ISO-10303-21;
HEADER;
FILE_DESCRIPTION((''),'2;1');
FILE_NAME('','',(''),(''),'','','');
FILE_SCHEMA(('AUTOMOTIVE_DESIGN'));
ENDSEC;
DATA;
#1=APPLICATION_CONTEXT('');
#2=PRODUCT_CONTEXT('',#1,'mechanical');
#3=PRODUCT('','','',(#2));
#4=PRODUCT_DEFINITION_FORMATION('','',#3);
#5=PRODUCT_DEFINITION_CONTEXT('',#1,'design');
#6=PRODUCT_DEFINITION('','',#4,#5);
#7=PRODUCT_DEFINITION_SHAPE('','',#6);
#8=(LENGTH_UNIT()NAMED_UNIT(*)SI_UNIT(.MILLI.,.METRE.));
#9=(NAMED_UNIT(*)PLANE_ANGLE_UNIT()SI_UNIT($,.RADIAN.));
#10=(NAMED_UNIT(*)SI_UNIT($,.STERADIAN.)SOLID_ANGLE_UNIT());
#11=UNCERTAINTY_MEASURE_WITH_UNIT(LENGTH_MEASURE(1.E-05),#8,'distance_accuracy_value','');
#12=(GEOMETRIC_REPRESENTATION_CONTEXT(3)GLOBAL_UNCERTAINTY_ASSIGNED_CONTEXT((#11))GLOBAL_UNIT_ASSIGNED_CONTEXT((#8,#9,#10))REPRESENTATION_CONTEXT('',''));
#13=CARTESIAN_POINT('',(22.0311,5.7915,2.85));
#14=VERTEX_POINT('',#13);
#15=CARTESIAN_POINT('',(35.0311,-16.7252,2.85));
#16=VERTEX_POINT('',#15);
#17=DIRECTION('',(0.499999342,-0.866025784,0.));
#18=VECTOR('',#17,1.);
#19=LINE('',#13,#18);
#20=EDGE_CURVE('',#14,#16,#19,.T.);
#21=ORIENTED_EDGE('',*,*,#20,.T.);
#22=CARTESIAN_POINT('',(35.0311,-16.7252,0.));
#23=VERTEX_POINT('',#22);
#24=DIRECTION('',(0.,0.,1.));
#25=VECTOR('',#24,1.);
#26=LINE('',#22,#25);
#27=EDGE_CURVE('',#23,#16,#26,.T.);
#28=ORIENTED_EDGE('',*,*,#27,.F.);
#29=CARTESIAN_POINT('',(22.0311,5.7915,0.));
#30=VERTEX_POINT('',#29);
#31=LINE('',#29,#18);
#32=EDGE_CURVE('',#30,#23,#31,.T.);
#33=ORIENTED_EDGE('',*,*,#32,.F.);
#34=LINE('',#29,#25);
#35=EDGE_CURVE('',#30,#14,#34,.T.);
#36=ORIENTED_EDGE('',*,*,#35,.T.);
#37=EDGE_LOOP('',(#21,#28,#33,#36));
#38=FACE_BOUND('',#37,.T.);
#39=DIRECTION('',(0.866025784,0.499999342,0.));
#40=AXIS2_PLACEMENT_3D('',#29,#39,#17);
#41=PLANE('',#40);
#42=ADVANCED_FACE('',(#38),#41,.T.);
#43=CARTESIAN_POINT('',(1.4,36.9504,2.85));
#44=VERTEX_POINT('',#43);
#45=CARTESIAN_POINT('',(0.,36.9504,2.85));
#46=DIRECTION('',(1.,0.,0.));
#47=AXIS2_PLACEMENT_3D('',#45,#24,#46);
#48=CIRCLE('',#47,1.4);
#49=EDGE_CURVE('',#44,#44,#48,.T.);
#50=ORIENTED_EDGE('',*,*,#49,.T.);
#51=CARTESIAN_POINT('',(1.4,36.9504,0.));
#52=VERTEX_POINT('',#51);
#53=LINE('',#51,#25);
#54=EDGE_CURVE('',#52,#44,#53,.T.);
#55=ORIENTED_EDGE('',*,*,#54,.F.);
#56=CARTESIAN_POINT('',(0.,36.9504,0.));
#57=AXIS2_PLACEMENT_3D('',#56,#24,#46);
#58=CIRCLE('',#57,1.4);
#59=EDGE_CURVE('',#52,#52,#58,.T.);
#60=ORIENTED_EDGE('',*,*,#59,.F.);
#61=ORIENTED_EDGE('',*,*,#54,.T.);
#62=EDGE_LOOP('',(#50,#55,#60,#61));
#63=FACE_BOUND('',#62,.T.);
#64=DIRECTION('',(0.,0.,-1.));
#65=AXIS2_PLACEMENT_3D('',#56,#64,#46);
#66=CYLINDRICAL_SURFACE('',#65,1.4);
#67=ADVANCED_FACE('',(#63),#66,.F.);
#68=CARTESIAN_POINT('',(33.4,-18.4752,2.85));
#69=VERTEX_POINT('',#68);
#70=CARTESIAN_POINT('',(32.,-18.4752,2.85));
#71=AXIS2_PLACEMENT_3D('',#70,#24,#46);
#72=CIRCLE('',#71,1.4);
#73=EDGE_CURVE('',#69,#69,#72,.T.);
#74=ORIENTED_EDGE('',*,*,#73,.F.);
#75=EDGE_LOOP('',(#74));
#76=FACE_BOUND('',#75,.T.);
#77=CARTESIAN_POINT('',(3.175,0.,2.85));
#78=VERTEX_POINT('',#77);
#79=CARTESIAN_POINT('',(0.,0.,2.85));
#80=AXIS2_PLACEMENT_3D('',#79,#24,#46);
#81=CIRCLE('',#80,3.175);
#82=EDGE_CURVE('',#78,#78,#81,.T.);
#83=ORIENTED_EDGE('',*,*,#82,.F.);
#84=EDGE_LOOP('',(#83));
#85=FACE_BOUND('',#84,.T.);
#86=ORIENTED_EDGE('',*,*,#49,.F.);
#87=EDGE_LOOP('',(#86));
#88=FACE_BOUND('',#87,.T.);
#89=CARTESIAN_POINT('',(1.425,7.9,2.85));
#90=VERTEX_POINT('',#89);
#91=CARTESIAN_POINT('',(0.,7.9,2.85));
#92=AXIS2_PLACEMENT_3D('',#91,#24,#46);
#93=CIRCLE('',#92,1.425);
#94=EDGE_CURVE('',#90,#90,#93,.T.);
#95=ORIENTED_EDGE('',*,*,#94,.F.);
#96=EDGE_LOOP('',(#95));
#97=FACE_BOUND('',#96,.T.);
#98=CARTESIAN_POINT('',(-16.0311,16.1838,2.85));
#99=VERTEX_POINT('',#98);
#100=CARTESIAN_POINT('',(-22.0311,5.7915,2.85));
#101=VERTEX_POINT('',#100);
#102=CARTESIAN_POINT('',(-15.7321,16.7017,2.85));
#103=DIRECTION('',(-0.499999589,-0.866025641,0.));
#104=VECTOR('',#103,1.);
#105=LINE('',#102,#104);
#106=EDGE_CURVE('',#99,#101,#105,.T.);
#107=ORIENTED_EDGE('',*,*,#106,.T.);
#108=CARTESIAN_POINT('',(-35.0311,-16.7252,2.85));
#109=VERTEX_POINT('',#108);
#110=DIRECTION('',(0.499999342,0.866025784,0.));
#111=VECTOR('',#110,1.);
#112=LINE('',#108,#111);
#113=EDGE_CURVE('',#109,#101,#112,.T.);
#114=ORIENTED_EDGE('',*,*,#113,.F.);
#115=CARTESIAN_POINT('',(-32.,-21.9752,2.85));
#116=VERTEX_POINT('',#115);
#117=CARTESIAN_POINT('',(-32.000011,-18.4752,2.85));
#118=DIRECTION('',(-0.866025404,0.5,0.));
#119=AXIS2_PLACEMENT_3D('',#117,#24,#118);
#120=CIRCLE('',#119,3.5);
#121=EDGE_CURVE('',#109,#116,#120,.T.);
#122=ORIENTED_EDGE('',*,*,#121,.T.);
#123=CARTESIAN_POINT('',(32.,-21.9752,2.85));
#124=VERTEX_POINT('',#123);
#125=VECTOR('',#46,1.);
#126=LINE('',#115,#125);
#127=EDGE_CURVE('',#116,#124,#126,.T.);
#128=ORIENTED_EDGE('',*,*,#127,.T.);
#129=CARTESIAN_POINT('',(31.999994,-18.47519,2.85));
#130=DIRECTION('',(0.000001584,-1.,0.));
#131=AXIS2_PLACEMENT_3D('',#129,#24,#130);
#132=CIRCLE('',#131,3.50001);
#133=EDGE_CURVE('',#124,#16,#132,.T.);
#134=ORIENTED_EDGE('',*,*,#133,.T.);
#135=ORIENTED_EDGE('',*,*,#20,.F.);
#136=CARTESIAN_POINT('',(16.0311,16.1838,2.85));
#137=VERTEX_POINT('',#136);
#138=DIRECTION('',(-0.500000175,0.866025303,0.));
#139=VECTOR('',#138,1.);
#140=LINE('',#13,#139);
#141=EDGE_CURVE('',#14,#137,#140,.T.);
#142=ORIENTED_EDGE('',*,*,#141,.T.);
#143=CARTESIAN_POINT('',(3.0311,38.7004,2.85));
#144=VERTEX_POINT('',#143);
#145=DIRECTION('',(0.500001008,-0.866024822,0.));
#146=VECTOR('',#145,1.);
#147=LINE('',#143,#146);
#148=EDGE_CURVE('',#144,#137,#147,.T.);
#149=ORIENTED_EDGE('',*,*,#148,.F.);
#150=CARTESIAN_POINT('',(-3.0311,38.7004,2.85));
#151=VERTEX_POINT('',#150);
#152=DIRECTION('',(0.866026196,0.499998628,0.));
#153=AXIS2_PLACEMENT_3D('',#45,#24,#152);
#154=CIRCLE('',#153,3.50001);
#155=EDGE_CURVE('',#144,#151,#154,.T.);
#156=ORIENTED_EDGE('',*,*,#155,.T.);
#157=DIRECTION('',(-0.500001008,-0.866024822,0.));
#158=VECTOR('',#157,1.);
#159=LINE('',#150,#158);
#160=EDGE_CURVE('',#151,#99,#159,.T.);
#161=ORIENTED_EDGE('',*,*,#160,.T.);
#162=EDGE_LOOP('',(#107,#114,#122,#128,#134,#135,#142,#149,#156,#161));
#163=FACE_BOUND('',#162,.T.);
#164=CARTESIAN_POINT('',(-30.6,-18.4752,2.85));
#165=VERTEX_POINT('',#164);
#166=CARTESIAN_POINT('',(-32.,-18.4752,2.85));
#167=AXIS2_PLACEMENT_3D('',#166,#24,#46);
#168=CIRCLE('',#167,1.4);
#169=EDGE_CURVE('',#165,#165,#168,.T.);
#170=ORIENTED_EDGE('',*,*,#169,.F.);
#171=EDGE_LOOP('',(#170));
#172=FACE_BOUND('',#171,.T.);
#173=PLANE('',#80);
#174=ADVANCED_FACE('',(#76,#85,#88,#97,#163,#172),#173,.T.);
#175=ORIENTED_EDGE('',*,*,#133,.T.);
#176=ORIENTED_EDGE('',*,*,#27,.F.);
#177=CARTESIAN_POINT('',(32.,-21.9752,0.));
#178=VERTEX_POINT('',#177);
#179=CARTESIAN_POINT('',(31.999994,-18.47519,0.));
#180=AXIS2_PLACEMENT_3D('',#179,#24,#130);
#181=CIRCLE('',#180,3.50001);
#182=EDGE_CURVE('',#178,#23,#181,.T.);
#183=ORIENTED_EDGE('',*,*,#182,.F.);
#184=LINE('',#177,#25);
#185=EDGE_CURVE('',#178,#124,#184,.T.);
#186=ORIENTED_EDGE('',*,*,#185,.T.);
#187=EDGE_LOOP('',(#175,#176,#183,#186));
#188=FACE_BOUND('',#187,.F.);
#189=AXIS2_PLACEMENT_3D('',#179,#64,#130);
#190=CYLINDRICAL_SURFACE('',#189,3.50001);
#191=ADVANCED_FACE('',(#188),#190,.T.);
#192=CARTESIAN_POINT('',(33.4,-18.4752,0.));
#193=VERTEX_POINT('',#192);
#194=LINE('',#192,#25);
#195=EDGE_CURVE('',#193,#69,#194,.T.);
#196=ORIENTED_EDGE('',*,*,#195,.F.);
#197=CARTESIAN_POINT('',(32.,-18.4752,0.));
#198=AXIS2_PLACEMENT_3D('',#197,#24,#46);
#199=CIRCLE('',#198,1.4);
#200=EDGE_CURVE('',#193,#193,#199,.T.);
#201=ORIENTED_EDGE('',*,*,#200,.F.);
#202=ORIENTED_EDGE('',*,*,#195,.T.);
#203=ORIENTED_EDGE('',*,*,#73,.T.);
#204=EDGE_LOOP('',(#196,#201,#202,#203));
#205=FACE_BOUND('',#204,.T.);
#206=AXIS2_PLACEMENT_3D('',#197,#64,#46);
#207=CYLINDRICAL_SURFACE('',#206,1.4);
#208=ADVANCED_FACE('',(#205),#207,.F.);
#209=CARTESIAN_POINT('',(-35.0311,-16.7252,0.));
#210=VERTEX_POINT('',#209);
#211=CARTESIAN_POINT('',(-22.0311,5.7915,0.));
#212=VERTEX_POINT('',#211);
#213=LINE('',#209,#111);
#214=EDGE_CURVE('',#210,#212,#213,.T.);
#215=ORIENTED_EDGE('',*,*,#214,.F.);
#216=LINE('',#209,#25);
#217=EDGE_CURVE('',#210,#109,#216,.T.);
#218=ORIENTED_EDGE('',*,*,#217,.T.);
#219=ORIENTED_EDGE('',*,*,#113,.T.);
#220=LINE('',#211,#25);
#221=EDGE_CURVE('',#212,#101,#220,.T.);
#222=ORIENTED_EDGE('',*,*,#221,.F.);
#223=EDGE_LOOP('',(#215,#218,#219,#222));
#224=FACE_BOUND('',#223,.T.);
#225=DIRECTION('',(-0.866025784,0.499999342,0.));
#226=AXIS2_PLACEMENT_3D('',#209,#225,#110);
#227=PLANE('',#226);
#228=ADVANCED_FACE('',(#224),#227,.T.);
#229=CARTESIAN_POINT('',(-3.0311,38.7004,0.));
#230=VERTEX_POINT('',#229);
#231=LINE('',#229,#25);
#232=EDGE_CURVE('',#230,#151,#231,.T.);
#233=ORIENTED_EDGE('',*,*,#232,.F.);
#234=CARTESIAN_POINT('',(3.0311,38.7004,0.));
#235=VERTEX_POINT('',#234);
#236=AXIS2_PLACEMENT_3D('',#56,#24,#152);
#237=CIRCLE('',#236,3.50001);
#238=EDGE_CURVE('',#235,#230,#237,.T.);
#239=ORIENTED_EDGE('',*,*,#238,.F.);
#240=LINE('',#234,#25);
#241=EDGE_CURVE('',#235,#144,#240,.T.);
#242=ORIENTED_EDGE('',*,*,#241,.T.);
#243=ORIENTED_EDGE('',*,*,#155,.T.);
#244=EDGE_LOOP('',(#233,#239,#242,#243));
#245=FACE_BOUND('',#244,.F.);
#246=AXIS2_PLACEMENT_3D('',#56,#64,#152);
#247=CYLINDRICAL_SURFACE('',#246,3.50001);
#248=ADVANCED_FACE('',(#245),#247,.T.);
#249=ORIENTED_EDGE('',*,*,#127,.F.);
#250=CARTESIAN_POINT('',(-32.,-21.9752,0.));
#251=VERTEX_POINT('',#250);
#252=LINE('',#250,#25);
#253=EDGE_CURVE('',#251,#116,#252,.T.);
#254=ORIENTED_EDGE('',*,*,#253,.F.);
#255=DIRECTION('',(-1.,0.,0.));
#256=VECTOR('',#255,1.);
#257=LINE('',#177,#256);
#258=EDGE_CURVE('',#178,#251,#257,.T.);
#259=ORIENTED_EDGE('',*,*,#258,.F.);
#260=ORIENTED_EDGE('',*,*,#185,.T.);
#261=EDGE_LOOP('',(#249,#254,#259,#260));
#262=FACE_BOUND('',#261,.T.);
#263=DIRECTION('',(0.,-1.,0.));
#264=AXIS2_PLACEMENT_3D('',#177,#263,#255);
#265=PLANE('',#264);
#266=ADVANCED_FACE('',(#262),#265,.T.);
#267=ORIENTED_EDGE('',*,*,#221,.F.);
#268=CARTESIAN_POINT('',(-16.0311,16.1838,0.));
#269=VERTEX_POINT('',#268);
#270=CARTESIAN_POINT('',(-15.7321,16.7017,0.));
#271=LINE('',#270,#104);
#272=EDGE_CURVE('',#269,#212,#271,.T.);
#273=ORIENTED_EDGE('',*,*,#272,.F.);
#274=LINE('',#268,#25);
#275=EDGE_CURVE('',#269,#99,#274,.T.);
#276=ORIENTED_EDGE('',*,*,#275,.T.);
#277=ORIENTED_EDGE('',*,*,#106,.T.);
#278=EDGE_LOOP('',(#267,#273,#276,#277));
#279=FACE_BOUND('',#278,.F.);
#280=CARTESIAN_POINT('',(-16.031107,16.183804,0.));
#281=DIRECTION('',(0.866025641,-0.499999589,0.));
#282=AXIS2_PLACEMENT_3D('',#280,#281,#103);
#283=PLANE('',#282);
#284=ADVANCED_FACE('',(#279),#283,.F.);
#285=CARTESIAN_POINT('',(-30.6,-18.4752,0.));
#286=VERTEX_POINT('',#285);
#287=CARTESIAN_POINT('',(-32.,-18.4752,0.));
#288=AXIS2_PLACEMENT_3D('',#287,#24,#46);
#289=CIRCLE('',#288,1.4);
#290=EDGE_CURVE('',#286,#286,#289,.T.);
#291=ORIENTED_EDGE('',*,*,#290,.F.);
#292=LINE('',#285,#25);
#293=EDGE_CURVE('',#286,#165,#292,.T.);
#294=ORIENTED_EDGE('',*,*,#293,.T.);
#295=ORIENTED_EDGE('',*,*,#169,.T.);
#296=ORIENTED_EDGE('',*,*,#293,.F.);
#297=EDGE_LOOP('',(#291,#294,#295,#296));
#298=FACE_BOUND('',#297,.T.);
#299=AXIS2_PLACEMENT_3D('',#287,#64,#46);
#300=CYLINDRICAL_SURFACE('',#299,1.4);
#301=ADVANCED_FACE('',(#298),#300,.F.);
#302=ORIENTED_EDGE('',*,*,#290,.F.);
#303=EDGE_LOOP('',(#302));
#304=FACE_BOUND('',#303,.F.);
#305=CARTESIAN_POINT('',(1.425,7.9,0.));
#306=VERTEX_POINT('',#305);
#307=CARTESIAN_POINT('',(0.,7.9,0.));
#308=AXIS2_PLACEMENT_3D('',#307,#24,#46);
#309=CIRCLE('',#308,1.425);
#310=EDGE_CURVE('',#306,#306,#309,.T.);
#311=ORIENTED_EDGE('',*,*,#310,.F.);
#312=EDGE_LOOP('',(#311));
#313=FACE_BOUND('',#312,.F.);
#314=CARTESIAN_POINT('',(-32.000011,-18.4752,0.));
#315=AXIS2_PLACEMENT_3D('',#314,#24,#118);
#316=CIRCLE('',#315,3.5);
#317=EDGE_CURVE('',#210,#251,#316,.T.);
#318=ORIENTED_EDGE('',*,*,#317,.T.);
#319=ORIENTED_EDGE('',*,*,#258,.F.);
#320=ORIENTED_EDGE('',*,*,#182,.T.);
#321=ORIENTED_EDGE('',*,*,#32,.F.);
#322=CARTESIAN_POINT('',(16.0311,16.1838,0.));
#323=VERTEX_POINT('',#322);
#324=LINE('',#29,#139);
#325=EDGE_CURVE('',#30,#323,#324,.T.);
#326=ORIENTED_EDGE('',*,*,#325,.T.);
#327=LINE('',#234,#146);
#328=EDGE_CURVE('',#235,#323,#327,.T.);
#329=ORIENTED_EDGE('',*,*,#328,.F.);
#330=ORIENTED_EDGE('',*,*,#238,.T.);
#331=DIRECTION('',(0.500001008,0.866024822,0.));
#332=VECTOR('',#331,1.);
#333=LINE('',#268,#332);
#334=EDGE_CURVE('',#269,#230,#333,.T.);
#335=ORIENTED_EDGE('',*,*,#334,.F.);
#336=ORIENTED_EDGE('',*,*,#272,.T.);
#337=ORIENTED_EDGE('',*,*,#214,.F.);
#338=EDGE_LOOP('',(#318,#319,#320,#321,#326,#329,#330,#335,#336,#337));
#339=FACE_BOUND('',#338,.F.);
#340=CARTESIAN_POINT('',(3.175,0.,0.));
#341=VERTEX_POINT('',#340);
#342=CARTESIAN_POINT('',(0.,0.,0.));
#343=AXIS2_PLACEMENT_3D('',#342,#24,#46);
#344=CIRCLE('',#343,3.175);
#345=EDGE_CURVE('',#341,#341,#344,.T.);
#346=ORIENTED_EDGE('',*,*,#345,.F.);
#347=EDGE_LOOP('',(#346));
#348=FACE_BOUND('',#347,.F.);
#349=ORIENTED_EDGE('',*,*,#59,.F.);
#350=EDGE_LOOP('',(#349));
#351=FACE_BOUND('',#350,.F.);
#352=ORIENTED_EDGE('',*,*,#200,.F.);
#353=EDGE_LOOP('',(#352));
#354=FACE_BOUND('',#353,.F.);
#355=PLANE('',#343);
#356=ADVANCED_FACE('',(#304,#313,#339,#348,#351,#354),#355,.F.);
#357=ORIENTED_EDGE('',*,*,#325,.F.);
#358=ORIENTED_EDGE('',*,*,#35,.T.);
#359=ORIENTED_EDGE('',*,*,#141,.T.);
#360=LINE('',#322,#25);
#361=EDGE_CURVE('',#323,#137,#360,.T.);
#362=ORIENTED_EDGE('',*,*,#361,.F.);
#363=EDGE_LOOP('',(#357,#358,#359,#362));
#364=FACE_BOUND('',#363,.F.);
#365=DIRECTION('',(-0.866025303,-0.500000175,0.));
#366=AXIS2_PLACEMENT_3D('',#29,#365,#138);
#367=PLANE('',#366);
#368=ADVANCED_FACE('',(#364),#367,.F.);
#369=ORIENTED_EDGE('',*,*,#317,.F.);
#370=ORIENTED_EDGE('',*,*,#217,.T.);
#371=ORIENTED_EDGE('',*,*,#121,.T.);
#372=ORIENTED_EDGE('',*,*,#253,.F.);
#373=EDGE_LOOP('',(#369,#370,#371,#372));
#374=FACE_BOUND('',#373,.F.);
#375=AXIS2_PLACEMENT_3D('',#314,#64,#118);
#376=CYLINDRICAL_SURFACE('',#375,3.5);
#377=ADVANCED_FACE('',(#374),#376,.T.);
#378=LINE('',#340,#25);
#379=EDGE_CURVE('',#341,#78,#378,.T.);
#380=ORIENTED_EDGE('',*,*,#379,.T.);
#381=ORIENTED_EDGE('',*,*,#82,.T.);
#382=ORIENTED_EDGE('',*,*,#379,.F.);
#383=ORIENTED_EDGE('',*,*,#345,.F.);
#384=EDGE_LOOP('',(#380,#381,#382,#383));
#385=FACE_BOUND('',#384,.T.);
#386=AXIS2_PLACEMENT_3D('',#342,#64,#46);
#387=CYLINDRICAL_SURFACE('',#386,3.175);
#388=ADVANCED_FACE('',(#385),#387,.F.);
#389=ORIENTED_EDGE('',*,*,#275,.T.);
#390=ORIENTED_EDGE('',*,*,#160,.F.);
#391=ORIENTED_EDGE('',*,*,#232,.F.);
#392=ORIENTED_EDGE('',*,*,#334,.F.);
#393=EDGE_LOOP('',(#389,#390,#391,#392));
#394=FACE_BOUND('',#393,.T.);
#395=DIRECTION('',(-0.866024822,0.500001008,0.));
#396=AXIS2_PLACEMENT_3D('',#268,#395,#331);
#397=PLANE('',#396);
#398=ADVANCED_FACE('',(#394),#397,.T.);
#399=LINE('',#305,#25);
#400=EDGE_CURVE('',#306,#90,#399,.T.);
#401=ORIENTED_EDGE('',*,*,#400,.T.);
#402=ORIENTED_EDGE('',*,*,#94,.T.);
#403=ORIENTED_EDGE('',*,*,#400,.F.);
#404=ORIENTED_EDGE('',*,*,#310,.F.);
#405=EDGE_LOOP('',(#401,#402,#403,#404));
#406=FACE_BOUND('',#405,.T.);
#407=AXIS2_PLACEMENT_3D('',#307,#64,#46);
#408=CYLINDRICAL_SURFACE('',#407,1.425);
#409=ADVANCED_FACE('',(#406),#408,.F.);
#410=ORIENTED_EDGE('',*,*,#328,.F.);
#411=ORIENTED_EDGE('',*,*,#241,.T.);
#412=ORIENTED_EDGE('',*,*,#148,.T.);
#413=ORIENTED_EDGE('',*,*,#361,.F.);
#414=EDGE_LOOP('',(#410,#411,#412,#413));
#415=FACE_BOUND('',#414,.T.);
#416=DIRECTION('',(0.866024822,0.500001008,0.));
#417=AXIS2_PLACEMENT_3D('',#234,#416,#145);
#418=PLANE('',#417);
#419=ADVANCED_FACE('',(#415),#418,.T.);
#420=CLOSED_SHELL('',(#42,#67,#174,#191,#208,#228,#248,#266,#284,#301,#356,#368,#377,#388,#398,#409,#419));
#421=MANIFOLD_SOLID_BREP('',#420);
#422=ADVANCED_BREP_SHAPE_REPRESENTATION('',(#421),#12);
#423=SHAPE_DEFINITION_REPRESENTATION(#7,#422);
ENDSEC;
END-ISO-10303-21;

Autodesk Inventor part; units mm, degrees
ref_plane "YZ Plane" through (0, 0, 0) normal (1, 0, 0) x (0, 1, 0)
ref_plane "XZ Plane" through (0, 0, 0) normal (0, 1, 0) x (-1, 0, 0)
ref_plane "XY Plane" through (0, 0, 0) normal (0, 0, 1) x (1, 0, 0)
sketch "Sketch1" plane through (0, 0, 0) normal (0, 0, 1) x (1, 0, 0)
  arc A0 (24.3433, 15.7866) -> (20.9282, 16.7017) centre (22.1782, 14.5366) ccw projected
  line L0 (24.3433, 15.7866) -> (25.8433, 13.1886) projected
  arc A1 (24.9282, 9.7735) -> (25.8433, 13.1886) centre (23.6782, 11.9386) ccw projected
  line L1 (22.7631, 8.5235) -> (24.9282, 9.7735) projected
  arc A2 (22.7631, 8.5235) -> (22.0311, 5.7915) centre (23.7631, 6.7915) ccw projected
  line L2 (22.0311, 5.7915) -> (35.0311, -16.7252) projected
  arc A3 (32, -21.9752) -> (35.0311, -16.7252) centre (32, -18.4752) ccw projected
  line L3 (32, -21.9752) -> (6, -21.9752) projected
  arc A4 (6, -21.9752) -> (4, -23.9752) centre (6, -23.9752) ccw projected
  line L4 (4, -26.4752) -> (4, -23.9752) projected
  arc A5 (1.5, -28.9752) -> (4, -26.4752) centre (1.5, -26.4752) ccw projected
  line L5 (1.5, -28.9752) -> (-1.5, -28.9752) projected
  arc A6 (-4, -26.4752) -> (-1.5, -28.9752) centre (-1.5, -26.4752) ccw projected
  line L6 (-4, -23.9752) -> (-4, -26.4752) projected
  arc A7 (-4, -23.9752) -> (-6, -21.9752) centre (-6, -23.9752) ccw projected
  line L7 (-6, -21.9752) -> (-32, -21.9752) projected
  arc A8 (-35.0311, -16.7252) -> (-32, -21.9752) centre (-32, -18.4752) ccw projected
  line L8 (-35.0311, -16.7252) -> (-22.0311, 5.7915) projected
  arc A9 (-22.0311, 5.7915) -> (-22.7631, 8.5235) centre (-23.7631, 6.7915) ccw projected
  line L9 (-24.9282, 9.7735) -> (-22.7631, 8.5235) projected
  arc A10 (-25.8433, 13.1886) -> (-24.9282, 9.7735) centre (-23.6782, 11.9386) ccw projected
  line L10 (-25.8433, 13.1886) -> (-24.3433, 15.7866) projected
  arc A11 (-20.9282, 16.7017) -> (-24.3433, 15.7866) centre (-22.1782, 14.5366) ccw projected
  line L11 (-18.7631, 15.4517) -> (-20.9282, 16.7017) projected
  arc A12 (-18.7631, 15.4517) -> (-16.0311, 16.1838) centre (-17.7631, 17.1838) ccw projected
  line L12 (-16.0311, 16.1838) -> (-3.0311, 38.7004) projected
  arc A13 (3.0311, 38.7004) -> (-3.0311, 38.7004) centre (0, 36.9504) ccw projected
  line L13 (3.0311, 38.7004) -> (16.0311, 16.1838) projected
  arc A14 (16.0311, 16.1838) -> (18.7631, 15.4517) centre (17.7631, 17.1838) ccw projected
  line L14 (20.9282, 16.7017) -> (18.7631, 15.4517) projected
  circle A15 centre (22.6033, 13.05) radius 1.25 projected
  circle A16 centre (-22.6033, 13.05) radius 1.25 projected
  circle A17 centre (0, -26.1) radius 1.25 projected
  arc A18 (30.8494, -15.1698) -> (28.5621, -19.1315) centre (32, -18.4752) ccw projected
  arc A19 (30.8494, -15.1698) -> (31.118, -14.4475) centre (30.685, -14.6975) ccw projected
  line L15 (31.118, -14.4475) -> (3.0471, 34.1728) projected
  arc A20 (3.0471, 34.1728) -> (2.2873, 34.3012) centre (2.614, 33.9228) ccw projected
  arc A21 (-2.2873, 34.3012) -> (2.2873, 34.3012) centre (0, 36.9504) ccw projected
  arc A22 (-2.2873, 34.3012) -> (-3.0471, 34.1728) centre (-2.614, 33.9228) ccw projected
  line L16 (-3.0471, 34.1728) -> (-31.118, -14.4475) projected
  arc A23 (-31.118, -14.4475) -> (-30.8494, -15.1698) centre (-30.685, -14.6975) ccw projected
  arc A24 (-28.5621, -19.1315) -> (-30.8494, -15.1698) centre (-32, -18.4752) ccw projected
  arc A25 (-28.5621, -19.1315) -> (-28.0709, -19.7252) centre (-28.0709, -19.2252) ccw projected
  line L17 (-28.0709, -19.7252) -> (28.0709, -19.7252) projected
  arc A26 (28.0709, -19.7252) -> (28.5621, -19.1315) centre (28.0709, -19.2252) ccw projected
  circle A27 centre (-32, -18.4752) radius 1.4 projected
  circle A28 centre (0, 36.9504) radius 1.4 projected
  circle A29 centre (32, -18.4752) radius 1.4 projected
  line L18 (-15.7321, 16.7017) -> (-22.0311, 5.7915)
  line L19 (-6, -21.9752) -> (6, -21.9752)
  line L20 (22.0311, 5.7915) -> (16.0311, 16.1838)
  circle A30 centre (0, 0) radius 3.175
  circle A31 centre (0, 7.9) radius 1.425
  dimension "d2" = 6.35
  dimension "d3" = 2.85
  dimension "d4" = 7.9
extrude "Extrusion1" add sketch "Sketch1" along normal blind 2.85 contours L20 L2 A3 L3 L19 L7 A8 L8 L18 L12 A13 L13 | A18 A26 L17 A25 A24 A23 L16 A22 A21 A20 L15 A19
properties part number "endPlateNew" material "Wood (Birch)"
